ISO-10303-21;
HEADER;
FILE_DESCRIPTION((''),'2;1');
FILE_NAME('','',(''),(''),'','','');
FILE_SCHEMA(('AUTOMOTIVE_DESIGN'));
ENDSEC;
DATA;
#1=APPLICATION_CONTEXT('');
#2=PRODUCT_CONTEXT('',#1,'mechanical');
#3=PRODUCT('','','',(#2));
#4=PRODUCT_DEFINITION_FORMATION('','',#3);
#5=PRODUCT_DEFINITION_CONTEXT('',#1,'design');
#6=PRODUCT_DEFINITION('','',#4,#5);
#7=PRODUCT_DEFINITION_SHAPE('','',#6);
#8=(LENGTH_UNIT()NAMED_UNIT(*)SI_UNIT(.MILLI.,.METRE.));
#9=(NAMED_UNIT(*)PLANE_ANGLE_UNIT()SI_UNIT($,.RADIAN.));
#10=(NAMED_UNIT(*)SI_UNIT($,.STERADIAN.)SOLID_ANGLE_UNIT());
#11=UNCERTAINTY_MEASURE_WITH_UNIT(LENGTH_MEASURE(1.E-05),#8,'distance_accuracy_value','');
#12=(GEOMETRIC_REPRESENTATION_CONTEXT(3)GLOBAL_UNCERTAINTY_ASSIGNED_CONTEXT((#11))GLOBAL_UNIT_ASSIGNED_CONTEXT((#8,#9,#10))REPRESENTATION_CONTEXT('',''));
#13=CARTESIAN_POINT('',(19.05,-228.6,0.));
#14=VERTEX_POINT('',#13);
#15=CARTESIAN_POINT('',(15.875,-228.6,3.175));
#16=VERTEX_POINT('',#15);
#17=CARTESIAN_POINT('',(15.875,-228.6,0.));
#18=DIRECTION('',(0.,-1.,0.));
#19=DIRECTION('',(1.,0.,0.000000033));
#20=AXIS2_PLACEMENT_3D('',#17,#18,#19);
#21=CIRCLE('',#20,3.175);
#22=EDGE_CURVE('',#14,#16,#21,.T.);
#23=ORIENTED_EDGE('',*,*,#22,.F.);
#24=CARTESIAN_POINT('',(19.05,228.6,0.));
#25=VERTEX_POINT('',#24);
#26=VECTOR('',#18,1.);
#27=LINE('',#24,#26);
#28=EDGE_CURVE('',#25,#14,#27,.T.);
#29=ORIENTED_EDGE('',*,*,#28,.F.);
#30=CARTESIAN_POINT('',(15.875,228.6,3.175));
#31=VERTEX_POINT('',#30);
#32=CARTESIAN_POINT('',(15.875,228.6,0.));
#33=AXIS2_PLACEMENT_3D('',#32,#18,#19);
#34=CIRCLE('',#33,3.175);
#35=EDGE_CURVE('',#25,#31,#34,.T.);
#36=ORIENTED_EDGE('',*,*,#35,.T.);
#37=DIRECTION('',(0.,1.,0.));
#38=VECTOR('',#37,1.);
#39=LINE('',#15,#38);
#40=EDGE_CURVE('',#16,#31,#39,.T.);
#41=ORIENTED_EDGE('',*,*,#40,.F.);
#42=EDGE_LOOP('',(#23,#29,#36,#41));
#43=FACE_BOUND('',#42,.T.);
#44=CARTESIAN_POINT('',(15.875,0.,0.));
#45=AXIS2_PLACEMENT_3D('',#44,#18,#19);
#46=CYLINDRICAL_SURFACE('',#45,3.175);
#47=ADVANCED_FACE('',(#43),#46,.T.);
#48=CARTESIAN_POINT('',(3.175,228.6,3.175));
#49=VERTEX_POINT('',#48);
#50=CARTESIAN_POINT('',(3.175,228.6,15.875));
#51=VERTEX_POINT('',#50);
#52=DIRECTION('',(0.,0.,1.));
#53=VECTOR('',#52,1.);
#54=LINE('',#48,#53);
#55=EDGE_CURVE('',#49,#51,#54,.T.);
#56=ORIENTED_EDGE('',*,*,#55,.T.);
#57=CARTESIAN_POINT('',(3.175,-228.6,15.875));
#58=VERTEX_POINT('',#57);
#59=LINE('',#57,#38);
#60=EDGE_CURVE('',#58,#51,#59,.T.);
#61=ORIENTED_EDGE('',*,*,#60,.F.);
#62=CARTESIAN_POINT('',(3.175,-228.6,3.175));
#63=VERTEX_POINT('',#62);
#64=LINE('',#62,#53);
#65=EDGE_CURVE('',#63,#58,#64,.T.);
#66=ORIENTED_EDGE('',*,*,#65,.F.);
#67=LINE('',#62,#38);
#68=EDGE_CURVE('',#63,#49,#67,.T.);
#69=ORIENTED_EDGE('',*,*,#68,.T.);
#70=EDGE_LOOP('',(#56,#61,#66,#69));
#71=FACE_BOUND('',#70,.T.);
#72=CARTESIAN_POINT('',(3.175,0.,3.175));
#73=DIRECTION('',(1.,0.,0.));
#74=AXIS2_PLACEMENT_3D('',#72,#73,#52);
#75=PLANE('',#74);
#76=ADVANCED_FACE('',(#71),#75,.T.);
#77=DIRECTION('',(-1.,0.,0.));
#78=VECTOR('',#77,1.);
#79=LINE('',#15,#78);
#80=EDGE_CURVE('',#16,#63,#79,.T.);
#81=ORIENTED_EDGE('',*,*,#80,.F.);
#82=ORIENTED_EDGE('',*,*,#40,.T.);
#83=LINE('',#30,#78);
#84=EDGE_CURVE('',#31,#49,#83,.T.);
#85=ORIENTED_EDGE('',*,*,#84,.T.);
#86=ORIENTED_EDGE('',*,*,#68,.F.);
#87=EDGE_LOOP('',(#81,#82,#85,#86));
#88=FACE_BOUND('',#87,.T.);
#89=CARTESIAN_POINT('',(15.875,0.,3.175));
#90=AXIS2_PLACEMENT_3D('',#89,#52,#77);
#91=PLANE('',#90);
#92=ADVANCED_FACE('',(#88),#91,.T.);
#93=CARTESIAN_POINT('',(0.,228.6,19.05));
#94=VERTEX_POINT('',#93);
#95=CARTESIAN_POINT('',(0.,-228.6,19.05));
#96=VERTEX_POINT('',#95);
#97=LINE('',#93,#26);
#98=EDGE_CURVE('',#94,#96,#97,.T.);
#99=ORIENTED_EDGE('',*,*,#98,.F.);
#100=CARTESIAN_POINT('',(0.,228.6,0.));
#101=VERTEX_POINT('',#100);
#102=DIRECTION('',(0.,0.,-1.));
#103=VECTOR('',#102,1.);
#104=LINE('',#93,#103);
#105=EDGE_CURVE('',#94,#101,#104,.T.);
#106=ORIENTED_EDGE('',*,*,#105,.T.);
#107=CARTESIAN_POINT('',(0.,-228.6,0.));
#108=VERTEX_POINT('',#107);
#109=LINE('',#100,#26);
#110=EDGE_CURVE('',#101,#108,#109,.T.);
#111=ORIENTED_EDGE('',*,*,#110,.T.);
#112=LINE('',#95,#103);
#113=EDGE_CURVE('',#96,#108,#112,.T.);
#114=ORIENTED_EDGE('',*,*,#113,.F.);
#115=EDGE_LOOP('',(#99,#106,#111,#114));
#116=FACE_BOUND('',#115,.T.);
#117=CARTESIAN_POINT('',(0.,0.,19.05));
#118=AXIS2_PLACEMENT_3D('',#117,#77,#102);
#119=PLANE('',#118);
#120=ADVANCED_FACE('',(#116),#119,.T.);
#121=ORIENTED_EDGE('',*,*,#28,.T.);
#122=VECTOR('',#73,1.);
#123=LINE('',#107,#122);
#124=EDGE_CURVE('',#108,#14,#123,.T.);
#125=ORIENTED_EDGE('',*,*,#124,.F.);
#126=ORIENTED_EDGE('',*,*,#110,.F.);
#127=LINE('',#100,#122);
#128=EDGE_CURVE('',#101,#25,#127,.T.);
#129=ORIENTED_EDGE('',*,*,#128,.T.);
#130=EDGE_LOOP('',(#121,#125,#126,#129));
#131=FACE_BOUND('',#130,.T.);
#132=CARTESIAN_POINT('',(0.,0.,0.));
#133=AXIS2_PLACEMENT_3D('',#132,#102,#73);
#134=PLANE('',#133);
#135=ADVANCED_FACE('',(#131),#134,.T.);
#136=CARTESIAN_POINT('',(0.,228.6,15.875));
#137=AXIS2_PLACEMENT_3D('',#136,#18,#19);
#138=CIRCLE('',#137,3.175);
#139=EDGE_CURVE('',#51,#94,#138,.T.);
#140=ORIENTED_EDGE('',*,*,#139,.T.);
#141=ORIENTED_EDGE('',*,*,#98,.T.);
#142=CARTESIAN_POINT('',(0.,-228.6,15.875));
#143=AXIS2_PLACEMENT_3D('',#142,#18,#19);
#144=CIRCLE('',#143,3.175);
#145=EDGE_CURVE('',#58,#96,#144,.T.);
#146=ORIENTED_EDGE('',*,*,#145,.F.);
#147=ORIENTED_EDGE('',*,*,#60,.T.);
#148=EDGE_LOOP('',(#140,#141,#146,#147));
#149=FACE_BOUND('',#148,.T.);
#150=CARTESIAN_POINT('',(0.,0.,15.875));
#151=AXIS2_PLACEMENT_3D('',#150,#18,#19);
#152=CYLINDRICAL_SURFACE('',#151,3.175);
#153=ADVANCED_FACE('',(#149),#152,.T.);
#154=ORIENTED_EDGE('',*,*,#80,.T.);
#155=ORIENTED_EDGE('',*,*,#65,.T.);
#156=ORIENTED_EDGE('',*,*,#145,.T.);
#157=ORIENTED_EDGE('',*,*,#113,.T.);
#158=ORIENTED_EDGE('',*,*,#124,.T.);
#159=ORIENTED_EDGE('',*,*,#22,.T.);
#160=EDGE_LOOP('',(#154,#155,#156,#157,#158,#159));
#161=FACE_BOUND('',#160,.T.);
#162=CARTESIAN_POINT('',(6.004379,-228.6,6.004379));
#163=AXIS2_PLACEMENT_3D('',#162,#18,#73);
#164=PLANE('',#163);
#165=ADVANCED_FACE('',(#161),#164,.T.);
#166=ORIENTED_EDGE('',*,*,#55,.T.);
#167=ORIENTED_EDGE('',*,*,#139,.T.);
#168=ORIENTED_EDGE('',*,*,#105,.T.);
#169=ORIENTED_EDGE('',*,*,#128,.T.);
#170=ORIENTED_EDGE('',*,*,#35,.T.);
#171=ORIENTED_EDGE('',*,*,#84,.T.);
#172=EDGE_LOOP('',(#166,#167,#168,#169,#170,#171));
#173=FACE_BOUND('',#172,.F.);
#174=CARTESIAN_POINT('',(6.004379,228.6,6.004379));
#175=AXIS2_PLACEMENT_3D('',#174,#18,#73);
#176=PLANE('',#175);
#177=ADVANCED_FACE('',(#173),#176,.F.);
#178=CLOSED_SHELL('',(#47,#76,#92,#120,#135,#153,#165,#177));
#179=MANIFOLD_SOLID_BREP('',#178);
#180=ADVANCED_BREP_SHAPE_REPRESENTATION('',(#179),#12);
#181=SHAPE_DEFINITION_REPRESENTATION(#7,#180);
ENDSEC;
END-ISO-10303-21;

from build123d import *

# Parameters (mm, degrees)
F1_DEPTH = 228.6


with BuildPart() as f1:
    # F0 (on Front) → F1 (new body, symmetric)
    with BuildSketch(Plane.XZ):
        with BuildLine():
            ThreePointArc((3.175, 15.875), (2.245064, 18.120064), (0, 19.05))
            Line((0, 19.05), (0, 0))
            Line((0, 0), (19.05, 0))
            ThreePointArc((19.05, 0), (18.120064, 2.245064), (15.875, 3.175))
            Line((15.875, 3.175), (3.175, 3.175))
            Line((3.175, 3.175), (3.175, 15.875))
        make_face()
    extrude(amount=F1_DEPTH, both=True)


solid = f1.part
